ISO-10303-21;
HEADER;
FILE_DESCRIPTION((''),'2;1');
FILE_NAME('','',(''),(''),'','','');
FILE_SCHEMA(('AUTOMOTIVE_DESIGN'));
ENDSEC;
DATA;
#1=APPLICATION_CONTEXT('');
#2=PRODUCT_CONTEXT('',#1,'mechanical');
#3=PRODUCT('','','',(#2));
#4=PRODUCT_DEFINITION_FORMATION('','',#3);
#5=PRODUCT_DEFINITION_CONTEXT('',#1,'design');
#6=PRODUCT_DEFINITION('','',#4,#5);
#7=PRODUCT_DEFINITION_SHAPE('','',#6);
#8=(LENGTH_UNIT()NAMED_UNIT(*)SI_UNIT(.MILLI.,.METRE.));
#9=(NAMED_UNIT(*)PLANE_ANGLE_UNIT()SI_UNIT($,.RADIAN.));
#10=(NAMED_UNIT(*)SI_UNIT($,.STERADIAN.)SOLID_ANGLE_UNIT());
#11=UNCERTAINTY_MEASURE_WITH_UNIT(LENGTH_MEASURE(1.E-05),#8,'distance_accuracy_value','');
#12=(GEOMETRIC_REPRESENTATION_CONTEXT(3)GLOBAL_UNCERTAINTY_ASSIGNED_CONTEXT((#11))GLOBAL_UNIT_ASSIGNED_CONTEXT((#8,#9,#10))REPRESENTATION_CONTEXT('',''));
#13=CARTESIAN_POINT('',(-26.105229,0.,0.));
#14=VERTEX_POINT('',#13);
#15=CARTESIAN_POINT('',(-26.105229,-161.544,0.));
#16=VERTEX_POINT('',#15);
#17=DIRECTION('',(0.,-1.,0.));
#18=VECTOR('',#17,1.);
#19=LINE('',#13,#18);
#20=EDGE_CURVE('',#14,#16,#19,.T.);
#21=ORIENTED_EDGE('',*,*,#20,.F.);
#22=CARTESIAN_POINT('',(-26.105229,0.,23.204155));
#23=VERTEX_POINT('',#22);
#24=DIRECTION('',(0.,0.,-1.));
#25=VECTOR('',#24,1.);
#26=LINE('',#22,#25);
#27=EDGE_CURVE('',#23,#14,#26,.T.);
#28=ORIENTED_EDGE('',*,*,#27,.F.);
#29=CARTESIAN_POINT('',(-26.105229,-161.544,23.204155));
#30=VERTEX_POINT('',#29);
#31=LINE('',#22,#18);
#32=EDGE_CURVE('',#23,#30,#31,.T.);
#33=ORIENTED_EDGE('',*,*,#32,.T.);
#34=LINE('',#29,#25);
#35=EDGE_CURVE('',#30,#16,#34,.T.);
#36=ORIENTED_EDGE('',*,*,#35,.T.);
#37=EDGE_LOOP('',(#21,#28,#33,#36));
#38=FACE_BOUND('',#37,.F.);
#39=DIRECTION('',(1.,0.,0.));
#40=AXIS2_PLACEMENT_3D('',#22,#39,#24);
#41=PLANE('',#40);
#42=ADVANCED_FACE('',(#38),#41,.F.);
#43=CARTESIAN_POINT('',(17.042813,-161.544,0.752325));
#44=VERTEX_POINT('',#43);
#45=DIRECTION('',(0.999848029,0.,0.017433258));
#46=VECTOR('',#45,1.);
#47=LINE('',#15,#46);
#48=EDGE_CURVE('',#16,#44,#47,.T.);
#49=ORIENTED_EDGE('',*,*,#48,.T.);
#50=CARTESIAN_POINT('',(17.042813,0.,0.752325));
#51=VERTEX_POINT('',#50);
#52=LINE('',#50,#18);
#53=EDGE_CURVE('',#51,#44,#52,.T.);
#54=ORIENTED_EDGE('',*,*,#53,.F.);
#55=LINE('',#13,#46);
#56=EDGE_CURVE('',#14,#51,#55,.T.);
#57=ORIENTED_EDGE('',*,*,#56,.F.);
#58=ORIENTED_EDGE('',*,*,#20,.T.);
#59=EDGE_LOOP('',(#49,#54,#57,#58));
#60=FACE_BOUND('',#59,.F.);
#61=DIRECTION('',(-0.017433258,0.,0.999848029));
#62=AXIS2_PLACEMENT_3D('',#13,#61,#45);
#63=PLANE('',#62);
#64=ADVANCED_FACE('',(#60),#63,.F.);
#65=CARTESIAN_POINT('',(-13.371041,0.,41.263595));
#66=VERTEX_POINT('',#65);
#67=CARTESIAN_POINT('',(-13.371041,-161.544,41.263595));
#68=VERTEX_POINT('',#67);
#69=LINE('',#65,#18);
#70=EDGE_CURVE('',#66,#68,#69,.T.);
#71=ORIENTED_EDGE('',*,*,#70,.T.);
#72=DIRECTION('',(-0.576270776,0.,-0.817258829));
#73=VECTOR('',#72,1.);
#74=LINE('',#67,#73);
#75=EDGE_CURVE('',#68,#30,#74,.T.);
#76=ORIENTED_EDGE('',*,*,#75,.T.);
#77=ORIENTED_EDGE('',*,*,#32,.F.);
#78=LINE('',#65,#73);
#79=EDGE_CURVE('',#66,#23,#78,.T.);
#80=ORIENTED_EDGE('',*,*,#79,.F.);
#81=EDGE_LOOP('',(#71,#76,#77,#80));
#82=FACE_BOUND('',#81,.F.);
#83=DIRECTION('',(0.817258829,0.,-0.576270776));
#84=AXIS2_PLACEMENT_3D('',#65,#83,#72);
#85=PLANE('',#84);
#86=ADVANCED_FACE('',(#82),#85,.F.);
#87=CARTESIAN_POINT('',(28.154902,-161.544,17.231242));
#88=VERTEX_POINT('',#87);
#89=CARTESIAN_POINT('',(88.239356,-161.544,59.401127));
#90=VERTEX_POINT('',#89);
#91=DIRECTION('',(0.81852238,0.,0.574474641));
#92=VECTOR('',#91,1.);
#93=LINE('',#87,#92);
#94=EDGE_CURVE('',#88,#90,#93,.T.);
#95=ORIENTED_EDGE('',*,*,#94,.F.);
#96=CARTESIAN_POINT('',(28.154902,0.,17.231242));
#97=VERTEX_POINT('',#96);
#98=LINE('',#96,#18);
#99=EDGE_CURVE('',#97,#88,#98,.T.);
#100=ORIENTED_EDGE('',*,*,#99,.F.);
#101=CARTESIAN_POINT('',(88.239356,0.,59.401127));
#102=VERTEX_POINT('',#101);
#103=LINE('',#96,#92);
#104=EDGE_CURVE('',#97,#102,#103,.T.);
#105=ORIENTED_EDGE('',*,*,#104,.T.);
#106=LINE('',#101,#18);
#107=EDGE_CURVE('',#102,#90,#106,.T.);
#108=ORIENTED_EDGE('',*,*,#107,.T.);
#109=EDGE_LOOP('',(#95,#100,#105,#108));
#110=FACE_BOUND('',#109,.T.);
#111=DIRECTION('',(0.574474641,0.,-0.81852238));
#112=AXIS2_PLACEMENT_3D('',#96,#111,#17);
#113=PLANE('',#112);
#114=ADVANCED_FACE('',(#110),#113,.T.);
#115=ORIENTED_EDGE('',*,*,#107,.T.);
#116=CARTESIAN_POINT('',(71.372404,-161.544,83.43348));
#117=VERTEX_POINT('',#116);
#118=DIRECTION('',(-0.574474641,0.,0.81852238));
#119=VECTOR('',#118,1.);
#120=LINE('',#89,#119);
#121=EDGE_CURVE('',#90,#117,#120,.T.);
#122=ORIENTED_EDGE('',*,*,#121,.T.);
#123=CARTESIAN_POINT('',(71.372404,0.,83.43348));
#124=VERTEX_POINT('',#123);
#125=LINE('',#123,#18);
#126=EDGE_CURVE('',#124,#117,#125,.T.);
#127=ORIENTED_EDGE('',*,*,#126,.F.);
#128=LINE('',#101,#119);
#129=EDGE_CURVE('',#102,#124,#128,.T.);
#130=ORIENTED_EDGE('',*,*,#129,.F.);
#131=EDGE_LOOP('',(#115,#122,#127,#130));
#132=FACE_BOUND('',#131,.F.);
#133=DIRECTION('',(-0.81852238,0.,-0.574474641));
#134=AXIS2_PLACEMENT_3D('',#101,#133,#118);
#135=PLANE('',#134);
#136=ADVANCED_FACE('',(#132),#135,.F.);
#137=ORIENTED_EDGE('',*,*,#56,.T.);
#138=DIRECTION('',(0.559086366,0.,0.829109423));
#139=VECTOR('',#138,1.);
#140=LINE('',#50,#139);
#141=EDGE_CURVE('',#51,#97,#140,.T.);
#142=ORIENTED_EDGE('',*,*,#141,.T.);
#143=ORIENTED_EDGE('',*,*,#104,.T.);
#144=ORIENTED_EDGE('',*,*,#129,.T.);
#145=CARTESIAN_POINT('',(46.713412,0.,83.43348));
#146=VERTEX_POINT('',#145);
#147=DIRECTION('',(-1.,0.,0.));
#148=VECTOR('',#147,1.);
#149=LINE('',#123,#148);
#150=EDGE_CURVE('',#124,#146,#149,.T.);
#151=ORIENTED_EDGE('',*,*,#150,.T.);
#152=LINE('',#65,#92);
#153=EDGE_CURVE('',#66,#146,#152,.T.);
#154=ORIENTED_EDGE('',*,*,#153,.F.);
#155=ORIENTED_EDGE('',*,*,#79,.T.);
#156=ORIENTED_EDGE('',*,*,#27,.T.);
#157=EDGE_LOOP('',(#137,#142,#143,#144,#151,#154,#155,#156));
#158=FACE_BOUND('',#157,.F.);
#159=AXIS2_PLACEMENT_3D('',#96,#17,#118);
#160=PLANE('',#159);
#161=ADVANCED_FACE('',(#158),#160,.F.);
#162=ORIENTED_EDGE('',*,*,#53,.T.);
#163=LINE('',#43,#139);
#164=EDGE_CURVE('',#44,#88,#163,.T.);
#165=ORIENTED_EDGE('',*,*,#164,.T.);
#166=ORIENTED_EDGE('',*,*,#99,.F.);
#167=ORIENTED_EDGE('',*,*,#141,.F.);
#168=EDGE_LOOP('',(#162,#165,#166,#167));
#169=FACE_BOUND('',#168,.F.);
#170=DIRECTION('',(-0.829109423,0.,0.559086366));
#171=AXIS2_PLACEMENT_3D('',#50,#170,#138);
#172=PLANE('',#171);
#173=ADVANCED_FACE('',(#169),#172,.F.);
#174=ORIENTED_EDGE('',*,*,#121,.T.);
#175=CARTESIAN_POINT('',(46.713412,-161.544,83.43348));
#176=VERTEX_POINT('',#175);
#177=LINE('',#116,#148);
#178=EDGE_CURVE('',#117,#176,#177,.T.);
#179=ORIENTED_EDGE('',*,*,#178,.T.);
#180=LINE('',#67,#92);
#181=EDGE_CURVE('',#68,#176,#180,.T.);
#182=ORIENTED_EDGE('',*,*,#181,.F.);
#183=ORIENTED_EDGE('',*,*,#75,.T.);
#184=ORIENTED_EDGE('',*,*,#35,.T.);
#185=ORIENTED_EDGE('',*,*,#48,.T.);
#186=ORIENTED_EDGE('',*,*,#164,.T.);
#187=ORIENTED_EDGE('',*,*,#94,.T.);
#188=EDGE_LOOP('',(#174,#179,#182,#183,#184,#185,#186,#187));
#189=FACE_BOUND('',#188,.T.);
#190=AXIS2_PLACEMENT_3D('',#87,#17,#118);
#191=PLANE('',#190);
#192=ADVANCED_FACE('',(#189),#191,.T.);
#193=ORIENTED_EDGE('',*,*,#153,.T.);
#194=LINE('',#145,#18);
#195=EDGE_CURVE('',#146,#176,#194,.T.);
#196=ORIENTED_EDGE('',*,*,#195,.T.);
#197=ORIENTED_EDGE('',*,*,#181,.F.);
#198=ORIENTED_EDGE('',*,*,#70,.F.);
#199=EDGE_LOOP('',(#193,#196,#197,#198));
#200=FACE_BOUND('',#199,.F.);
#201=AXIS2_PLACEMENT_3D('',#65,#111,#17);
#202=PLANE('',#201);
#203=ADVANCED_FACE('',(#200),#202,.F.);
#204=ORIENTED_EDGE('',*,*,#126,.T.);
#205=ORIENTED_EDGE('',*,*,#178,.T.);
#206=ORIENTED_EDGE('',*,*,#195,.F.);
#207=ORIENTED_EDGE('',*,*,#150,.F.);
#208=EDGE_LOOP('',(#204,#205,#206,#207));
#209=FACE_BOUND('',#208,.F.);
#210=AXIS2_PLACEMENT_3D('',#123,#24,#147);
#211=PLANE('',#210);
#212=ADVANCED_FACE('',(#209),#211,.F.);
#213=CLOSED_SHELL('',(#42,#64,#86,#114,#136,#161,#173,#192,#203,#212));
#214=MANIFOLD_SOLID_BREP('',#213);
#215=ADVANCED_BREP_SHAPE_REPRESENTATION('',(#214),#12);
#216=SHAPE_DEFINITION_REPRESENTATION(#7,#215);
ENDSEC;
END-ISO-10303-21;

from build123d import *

# Parameters (mm, degrees)
F1_DEPTH = 161.544
F2_DEPTH = 73.406


with BuildPart() as f1:
    # F0 (on Front) → F1 (new body)
    with BuildSketch(Plane.XZ):
        Polygon((-26.1052288115, 0), (17.0428129498, 0.7523252768), (28.1549018044, 17.2312418461), (11.2879504202, 41.2635945552), (-13.3710414004, 41.2635945552), (-26.1052288115, 23.2041552663), align=None)
    extrude(amount=F1_DEPTH)

    # F2 (add): faces of the model
    f2_faces = [f1.faces().sort_by_distance(p)[0] for p in [
        (19.7214261123, -80.772, 29.2474182006),
        (-1.0415454901, -80.772, 41.2635945552),
    ]]
    extrude(f2_faces, amount=F2_DEPTH, dir=(0.8185223802, 0, 0.574474641))


solid = f1.part
